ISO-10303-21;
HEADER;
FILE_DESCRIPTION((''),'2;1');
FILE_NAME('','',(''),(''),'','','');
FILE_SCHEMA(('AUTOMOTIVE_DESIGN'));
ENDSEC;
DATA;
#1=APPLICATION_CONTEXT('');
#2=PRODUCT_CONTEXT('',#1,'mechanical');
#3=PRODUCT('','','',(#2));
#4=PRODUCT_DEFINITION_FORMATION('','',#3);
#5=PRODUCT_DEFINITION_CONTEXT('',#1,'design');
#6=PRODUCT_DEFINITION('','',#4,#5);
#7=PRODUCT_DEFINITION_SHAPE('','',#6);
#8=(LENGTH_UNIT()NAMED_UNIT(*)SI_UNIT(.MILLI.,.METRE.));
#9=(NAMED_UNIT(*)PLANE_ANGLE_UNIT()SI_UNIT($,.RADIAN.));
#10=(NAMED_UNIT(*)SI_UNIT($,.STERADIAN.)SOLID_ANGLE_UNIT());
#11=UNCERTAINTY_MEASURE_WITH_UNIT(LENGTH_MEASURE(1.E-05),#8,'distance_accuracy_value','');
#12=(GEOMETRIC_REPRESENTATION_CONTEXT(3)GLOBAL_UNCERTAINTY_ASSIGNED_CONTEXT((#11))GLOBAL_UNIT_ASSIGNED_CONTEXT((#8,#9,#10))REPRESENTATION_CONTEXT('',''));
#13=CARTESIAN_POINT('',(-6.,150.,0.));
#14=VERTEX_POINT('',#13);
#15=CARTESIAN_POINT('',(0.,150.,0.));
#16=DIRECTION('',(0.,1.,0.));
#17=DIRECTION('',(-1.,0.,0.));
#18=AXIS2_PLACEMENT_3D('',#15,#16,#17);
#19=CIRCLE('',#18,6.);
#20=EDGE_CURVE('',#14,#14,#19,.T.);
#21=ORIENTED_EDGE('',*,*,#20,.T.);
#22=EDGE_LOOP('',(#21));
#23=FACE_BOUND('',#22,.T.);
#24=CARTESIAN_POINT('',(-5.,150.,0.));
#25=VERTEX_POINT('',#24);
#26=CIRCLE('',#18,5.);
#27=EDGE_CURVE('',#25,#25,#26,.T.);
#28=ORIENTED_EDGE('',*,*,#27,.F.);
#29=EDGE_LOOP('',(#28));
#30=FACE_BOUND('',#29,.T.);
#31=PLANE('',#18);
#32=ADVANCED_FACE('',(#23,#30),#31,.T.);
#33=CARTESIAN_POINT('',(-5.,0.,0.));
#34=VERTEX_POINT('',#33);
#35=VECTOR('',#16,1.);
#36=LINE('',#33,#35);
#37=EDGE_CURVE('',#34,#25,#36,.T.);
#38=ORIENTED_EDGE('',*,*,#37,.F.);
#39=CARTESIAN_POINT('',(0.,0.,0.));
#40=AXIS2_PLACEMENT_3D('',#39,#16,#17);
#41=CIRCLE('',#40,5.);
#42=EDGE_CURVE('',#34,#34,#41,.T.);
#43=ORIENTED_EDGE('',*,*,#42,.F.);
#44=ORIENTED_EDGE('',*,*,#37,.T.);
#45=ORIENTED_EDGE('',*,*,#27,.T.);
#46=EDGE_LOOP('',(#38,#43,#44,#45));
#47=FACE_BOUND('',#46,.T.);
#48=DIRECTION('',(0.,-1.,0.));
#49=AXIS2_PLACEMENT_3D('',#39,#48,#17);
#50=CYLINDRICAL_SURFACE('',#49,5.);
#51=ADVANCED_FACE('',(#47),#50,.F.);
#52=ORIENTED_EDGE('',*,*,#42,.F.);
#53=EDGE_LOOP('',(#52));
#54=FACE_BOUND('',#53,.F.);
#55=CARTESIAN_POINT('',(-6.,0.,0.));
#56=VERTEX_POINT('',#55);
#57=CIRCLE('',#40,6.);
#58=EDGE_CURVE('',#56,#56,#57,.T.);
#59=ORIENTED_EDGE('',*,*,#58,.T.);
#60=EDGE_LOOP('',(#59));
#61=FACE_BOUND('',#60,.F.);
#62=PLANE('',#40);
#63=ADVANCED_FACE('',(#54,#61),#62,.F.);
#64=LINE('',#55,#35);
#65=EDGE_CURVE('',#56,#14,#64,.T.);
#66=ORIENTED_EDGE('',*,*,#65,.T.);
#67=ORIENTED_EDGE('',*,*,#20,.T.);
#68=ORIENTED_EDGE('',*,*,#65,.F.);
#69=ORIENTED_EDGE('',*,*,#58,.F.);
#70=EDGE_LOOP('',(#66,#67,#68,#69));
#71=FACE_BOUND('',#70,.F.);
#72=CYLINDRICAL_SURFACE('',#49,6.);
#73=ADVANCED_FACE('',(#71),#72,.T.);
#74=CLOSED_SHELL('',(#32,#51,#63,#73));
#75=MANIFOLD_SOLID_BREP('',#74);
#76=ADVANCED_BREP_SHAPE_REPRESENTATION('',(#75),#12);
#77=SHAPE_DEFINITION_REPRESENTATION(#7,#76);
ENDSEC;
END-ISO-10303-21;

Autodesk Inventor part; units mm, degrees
ref_plane "XZ Plane" through (0, 0, 0) normal (0, 1, 0) x (-1, 0, 0)
sketch "Sketch2" plane through (0, 0, 0) normal (0, 1, 0) x (-1, 0, 0)
  circle A0 centre (0, 0) radius 5
  circle A1 centre (0, 0) radius 6
  dimension "d6" = 10
  dimension "d7" = 12
extrude "Extrusion2" add sketch "Sketch2" along normal blind 150
properties part number "Wing_arm_1"
